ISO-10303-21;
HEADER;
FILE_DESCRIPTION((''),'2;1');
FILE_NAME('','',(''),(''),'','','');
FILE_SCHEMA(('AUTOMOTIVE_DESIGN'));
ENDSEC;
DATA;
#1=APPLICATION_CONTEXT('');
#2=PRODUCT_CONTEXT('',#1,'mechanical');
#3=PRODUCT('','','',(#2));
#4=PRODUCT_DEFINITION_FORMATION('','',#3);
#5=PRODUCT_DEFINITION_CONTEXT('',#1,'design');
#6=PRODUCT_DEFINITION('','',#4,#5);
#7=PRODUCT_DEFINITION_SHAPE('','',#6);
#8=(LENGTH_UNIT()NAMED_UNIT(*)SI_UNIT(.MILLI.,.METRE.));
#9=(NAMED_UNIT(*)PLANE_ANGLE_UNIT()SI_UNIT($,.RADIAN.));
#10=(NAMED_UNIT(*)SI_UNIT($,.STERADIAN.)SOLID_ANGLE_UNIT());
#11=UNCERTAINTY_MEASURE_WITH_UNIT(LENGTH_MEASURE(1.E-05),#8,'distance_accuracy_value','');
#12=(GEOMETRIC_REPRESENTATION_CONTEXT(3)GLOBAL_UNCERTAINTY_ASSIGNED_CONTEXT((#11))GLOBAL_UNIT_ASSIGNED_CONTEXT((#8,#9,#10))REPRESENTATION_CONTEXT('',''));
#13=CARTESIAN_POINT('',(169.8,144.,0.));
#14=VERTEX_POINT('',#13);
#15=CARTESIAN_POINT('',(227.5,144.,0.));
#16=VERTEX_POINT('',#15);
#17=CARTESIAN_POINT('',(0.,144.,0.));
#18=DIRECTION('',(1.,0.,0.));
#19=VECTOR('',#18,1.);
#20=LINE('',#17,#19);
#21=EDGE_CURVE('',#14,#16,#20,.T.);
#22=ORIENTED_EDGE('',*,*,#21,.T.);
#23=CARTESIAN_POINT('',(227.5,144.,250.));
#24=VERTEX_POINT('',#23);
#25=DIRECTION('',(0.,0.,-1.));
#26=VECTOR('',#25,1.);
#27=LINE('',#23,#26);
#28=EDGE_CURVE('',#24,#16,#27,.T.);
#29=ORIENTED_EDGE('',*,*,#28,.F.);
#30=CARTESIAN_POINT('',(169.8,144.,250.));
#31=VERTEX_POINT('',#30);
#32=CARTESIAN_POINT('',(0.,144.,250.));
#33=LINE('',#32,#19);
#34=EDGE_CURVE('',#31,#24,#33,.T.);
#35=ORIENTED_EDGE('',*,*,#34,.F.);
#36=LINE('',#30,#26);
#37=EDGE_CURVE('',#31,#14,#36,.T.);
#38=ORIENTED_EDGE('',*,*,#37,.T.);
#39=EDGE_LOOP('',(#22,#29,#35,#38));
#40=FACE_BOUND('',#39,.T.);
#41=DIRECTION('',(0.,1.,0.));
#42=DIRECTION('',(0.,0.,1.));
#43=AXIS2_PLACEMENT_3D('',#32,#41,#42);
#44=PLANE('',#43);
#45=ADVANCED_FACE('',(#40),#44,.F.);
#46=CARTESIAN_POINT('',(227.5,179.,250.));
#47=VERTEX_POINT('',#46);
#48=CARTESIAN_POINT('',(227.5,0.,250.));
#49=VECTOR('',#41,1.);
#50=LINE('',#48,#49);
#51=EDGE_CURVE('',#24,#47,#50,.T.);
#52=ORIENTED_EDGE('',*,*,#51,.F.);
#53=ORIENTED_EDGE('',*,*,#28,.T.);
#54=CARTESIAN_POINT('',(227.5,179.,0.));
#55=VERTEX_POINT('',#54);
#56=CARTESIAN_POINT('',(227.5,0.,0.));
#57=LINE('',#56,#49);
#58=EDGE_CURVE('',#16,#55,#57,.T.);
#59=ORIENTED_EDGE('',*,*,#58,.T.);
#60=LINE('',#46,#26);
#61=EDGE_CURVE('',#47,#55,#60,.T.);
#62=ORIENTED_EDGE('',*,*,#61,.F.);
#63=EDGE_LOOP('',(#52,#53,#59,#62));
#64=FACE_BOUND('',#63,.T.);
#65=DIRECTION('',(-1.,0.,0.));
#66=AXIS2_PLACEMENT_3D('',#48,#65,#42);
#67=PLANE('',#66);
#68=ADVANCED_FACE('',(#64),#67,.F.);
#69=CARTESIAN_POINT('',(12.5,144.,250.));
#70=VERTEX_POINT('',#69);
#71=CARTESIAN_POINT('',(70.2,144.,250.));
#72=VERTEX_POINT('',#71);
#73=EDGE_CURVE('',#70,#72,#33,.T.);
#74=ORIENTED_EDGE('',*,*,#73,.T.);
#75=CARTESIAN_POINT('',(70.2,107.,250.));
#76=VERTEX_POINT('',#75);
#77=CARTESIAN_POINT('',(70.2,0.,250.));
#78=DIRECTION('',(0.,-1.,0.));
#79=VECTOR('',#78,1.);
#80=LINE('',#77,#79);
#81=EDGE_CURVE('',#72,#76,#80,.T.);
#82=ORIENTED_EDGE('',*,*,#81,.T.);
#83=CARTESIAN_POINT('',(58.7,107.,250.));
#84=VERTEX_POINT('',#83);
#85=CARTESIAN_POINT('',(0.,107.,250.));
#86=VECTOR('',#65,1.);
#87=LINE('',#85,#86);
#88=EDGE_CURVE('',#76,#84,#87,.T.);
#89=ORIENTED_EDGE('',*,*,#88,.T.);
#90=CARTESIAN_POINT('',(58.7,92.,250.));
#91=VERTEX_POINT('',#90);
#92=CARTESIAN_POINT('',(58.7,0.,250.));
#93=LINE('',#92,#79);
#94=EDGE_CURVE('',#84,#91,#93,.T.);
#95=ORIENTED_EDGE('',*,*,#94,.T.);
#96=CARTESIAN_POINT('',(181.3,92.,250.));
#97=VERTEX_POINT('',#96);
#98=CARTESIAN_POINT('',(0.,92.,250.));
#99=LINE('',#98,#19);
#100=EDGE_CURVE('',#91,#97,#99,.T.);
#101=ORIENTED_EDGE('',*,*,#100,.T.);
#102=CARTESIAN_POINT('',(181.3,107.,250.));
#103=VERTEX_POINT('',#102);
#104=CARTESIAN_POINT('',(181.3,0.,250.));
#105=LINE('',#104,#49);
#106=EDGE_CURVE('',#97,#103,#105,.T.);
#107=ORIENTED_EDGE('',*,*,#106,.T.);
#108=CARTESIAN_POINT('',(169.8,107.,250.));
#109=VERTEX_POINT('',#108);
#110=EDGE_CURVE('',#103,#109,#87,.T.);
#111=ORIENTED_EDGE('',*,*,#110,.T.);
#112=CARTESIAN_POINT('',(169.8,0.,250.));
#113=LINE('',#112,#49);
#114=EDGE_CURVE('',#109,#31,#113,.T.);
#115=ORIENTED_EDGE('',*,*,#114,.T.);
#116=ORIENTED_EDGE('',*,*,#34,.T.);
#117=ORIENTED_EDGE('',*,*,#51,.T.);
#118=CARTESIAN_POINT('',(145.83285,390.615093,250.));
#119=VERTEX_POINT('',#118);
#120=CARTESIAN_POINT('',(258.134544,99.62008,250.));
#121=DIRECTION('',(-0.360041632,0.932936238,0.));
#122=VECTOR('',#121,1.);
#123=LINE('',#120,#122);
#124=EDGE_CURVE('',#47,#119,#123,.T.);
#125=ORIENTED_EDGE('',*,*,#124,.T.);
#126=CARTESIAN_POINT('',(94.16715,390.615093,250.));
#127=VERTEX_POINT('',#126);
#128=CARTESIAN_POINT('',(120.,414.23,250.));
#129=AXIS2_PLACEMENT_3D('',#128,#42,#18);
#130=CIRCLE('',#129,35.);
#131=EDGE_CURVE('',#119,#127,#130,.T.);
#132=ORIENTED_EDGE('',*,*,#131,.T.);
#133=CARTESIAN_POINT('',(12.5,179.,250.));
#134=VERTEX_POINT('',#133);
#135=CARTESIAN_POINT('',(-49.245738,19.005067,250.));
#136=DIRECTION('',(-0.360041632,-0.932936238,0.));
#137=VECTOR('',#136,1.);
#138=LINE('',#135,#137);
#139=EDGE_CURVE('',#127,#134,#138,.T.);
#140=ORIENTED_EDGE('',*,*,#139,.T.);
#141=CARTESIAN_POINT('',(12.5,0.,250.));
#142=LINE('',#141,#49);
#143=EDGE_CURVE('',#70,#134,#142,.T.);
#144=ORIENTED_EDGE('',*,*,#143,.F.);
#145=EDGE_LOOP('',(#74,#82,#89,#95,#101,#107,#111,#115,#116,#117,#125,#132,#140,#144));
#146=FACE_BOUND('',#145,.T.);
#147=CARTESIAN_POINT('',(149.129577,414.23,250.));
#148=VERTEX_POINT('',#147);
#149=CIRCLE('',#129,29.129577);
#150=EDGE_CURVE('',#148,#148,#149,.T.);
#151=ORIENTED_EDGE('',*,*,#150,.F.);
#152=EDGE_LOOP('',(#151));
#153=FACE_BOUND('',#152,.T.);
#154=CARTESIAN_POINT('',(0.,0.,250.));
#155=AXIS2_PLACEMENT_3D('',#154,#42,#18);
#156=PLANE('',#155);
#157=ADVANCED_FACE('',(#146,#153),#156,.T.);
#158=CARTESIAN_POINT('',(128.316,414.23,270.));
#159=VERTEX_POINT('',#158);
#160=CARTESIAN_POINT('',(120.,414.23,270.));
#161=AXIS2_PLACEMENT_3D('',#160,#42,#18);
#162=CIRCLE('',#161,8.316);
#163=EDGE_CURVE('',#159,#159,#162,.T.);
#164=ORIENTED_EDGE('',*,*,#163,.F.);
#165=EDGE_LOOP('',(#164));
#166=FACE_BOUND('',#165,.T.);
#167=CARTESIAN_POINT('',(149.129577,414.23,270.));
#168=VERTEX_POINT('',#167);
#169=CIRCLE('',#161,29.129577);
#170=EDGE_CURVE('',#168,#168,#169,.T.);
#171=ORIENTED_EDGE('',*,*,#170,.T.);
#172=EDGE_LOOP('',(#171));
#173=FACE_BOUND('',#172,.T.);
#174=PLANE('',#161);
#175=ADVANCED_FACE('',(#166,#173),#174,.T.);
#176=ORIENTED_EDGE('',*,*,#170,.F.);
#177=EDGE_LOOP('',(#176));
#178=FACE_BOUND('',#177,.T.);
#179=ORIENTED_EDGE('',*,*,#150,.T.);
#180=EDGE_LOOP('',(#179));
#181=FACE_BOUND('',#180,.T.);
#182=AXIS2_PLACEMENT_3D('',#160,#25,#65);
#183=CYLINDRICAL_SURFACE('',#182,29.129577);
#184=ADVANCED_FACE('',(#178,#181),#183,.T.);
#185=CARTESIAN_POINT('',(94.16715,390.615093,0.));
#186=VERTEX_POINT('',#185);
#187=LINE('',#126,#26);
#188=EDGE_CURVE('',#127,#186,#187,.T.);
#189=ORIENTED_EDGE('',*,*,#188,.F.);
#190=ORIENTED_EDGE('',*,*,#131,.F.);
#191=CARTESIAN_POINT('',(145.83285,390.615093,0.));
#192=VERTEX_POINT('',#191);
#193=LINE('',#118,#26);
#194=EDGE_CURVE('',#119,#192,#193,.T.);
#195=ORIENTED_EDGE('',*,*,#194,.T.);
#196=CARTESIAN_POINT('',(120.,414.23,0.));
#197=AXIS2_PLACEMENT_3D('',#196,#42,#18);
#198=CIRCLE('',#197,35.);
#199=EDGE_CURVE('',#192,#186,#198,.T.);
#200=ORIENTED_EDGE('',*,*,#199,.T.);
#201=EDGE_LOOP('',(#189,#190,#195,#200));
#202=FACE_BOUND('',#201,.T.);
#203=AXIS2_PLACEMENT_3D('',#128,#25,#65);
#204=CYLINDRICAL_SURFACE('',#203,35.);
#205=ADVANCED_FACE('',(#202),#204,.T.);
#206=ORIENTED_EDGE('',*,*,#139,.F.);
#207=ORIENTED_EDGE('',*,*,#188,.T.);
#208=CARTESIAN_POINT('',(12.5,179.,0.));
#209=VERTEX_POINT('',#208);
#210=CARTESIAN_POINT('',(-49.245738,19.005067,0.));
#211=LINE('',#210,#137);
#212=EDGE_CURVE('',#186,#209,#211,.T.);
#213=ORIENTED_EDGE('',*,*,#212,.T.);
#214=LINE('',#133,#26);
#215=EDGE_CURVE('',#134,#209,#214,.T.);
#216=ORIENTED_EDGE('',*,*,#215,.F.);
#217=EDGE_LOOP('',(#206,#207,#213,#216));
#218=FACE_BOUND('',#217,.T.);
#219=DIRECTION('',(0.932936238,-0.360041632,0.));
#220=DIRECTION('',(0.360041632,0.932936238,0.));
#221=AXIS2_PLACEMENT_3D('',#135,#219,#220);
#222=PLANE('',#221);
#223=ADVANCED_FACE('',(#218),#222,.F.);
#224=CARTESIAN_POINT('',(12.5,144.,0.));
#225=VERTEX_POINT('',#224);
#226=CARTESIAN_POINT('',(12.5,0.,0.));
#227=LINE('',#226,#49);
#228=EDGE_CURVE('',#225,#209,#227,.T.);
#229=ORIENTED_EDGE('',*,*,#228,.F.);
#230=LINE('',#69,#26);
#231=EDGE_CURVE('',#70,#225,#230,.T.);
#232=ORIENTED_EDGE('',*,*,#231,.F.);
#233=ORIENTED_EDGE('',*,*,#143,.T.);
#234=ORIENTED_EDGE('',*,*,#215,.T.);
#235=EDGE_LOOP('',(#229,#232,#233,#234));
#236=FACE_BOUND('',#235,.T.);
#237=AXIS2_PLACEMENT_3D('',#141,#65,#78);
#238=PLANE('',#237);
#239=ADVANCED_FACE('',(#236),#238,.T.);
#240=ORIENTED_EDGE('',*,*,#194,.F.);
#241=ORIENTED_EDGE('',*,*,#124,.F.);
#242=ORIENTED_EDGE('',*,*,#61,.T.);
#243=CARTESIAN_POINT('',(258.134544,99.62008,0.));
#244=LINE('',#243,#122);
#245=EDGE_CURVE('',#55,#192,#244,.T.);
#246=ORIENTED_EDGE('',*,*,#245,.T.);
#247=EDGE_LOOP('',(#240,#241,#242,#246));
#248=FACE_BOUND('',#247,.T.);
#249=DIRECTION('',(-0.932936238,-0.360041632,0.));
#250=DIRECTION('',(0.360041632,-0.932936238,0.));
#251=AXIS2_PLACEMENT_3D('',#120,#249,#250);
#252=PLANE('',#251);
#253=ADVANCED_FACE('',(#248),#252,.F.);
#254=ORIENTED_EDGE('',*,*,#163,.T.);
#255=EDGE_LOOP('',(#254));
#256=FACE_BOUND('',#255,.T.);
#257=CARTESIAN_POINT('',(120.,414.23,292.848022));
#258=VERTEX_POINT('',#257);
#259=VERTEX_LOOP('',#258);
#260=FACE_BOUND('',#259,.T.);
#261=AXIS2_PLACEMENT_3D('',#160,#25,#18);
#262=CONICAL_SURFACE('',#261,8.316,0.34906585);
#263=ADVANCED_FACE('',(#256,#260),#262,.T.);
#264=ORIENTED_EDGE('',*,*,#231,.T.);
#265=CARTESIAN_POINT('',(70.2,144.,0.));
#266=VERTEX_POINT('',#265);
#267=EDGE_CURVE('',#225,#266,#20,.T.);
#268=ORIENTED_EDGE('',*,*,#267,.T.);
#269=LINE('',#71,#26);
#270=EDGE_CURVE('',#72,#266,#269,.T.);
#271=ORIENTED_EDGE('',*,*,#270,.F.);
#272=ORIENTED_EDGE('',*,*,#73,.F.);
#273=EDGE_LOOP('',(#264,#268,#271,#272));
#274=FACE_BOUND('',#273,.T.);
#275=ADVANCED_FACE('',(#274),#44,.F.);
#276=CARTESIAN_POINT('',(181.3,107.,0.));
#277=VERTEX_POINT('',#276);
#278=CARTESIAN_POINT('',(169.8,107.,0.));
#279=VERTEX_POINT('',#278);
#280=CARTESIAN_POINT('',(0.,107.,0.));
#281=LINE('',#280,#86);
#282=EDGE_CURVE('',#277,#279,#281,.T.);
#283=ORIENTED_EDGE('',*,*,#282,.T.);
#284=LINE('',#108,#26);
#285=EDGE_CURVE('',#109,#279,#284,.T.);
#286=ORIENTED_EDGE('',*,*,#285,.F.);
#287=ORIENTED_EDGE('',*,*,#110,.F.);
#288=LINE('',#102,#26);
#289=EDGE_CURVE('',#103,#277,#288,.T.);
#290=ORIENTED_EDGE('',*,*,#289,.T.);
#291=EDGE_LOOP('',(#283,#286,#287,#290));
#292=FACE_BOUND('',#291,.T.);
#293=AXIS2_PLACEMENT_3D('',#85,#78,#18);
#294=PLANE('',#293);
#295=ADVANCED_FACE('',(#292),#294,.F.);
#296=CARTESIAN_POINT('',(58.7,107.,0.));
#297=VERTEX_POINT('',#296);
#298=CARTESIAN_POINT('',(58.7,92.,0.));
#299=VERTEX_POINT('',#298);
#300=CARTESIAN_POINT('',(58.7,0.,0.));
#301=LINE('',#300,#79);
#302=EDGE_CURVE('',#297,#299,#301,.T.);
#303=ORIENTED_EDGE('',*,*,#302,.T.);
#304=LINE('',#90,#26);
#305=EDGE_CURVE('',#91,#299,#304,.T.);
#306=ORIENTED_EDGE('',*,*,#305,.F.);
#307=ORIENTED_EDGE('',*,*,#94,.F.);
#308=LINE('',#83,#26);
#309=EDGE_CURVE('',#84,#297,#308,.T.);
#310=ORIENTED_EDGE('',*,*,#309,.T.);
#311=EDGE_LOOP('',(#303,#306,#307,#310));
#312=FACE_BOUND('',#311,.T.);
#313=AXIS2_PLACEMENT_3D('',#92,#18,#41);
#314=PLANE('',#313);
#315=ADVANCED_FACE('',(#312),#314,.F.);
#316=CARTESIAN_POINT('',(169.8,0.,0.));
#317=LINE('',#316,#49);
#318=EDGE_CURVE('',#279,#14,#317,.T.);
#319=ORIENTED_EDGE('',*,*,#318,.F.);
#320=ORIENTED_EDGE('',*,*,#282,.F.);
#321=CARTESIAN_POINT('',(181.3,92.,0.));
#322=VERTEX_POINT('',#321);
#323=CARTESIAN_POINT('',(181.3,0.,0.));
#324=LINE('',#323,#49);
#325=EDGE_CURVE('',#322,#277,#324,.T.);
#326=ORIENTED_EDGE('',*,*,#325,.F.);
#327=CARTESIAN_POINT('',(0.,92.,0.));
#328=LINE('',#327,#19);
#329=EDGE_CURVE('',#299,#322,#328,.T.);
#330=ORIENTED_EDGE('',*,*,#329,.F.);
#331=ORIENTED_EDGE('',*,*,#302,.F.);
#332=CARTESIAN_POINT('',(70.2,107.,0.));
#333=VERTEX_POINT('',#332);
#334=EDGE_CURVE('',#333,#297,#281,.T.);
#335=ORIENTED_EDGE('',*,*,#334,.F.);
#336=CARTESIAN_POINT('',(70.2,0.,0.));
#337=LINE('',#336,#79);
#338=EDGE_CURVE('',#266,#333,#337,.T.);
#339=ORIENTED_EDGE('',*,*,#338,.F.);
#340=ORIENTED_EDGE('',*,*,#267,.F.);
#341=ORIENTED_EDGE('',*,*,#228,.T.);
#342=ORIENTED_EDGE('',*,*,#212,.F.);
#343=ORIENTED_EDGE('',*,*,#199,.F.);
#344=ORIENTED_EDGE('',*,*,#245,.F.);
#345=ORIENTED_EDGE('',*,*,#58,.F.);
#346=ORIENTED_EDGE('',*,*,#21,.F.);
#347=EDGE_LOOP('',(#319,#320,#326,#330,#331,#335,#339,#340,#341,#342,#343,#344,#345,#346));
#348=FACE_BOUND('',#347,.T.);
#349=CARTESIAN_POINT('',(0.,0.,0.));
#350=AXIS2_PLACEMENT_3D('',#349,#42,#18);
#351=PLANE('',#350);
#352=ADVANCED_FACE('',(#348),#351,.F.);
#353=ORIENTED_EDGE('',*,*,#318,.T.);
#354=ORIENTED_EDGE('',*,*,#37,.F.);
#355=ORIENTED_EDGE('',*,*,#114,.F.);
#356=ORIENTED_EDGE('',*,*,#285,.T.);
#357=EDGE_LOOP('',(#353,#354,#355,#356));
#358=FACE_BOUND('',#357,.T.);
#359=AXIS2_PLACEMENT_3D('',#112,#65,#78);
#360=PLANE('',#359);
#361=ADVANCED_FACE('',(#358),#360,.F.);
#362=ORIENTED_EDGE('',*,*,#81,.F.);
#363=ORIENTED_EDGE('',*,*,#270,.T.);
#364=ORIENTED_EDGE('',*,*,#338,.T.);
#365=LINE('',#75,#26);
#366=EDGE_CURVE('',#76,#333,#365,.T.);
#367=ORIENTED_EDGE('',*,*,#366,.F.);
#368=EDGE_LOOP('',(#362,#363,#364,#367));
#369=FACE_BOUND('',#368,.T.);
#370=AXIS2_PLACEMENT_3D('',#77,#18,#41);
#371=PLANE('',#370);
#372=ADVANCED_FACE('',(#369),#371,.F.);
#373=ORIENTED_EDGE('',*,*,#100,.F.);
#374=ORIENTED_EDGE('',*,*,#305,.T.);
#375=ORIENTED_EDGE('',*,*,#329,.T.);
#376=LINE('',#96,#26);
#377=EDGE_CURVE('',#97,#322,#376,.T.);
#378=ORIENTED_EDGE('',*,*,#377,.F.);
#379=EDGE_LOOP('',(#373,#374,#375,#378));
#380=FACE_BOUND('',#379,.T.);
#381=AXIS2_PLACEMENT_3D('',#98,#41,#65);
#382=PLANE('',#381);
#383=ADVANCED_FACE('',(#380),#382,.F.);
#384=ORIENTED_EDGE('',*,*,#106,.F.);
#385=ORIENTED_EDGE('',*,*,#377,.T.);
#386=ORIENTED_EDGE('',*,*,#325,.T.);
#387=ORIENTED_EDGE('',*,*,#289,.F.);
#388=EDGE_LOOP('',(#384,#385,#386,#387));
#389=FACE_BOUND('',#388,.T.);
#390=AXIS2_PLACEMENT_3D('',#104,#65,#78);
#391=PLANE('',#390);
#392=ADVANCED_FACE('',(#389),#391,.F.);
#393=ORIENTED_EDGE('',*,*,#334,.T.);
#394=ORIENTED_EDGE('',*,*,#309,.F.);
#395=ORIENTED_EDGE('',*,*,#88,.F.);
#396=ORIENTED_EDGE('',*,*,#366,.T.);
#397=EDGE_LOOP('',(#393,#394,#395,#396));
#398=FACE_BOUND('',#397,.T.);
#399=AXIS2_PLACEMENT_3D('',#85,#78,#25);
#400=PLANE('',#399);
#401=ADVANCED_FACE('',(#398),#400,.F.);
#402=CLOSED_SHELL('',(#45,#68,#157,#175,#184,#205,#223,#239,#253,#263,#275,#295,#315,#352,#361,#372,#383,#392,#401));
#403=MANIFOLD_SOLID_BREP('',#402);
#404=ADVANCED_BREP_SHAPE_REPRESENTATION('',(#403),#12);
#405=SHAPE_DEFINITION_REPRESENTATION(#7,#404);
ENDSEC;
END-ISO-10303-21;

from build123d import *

# Parameters (mm, degrees)
SZKIC1_R                    = 35
DODANIE_WYCI_GNI_CIE2_DEPTH = 250
SZKIC4_R                    = 29.129576732
DODANIE_WYCI_GNI_CIE3_DEPTH = 20
SZKIC5_R                    = 8.316
DODANIE_WYCI_GNI_CIE4_DEPTH = 36
DODANIE_WYCI_GNI_CIE4_TAPER = 20


with BuildPart() as part:
    # Szkic1 → Dodanie-wyciągnięcie2 (new body)
    with BuildSketch(Plane.XY):
        with BuildLine():
            Line((12.5, 179), (12.5, 144))
            Line((12.5, 144), (70.2, 144))
            Line((70.2, 144), (70.2, 107))
            Line((70.2, 107), (58.7, 107))
            Line((58.7, 107), (58.7, 92))
            Line((58.7, 92), (181.3, 92))
            Line((181.3, 92), (181.3, 107))
            Line((181.3, 107), (169.8, 107))
            Line((169.8, 107), (169.8, 144))
            Line((169.8, 144), (227.5, 144))
            Line((227.5, 144), (227.5, 179))
            Line((227.5, 179), (145.832850365, 390.615092801))
            ThreePointArc((145.832850365, 390.615092801), (120, 379.23), (94.167149635, 390.615092801))
            Line((94.167149635, 390.615092801), (12.5, 179))
        make_face()
        with Locations((120, 414.23)):
            Circle(SZKIC1_R)
    extrude(amount=DODANIE_WYCI_GNI_CIE2_DEPTH)

    # Szkic4 → Dodanie-wyciągnięcie3 (add)
    with BuildSketch(Plane.XY.offset(250)):
        with Locations((120, 414.23)):
            Circle(SZKIC4_R)
    extrude(amount=DODANIE_WYCI_GNI_CIE3_DEPTH)

    # Szkic5 → Dodanie-wyciągnięcie4 (add)
    with BuildSketch(Plane.XY.offset(270)):
        with Locations((120, 414.23)):
            Circle(SZKIC5_R)
    extrude(amount=DODANIE_WYCI_GNI_CIE4_DEPTH, taper=DODANIE_WYCI_GNI_CIE4_TAPER)


solid = part.part
